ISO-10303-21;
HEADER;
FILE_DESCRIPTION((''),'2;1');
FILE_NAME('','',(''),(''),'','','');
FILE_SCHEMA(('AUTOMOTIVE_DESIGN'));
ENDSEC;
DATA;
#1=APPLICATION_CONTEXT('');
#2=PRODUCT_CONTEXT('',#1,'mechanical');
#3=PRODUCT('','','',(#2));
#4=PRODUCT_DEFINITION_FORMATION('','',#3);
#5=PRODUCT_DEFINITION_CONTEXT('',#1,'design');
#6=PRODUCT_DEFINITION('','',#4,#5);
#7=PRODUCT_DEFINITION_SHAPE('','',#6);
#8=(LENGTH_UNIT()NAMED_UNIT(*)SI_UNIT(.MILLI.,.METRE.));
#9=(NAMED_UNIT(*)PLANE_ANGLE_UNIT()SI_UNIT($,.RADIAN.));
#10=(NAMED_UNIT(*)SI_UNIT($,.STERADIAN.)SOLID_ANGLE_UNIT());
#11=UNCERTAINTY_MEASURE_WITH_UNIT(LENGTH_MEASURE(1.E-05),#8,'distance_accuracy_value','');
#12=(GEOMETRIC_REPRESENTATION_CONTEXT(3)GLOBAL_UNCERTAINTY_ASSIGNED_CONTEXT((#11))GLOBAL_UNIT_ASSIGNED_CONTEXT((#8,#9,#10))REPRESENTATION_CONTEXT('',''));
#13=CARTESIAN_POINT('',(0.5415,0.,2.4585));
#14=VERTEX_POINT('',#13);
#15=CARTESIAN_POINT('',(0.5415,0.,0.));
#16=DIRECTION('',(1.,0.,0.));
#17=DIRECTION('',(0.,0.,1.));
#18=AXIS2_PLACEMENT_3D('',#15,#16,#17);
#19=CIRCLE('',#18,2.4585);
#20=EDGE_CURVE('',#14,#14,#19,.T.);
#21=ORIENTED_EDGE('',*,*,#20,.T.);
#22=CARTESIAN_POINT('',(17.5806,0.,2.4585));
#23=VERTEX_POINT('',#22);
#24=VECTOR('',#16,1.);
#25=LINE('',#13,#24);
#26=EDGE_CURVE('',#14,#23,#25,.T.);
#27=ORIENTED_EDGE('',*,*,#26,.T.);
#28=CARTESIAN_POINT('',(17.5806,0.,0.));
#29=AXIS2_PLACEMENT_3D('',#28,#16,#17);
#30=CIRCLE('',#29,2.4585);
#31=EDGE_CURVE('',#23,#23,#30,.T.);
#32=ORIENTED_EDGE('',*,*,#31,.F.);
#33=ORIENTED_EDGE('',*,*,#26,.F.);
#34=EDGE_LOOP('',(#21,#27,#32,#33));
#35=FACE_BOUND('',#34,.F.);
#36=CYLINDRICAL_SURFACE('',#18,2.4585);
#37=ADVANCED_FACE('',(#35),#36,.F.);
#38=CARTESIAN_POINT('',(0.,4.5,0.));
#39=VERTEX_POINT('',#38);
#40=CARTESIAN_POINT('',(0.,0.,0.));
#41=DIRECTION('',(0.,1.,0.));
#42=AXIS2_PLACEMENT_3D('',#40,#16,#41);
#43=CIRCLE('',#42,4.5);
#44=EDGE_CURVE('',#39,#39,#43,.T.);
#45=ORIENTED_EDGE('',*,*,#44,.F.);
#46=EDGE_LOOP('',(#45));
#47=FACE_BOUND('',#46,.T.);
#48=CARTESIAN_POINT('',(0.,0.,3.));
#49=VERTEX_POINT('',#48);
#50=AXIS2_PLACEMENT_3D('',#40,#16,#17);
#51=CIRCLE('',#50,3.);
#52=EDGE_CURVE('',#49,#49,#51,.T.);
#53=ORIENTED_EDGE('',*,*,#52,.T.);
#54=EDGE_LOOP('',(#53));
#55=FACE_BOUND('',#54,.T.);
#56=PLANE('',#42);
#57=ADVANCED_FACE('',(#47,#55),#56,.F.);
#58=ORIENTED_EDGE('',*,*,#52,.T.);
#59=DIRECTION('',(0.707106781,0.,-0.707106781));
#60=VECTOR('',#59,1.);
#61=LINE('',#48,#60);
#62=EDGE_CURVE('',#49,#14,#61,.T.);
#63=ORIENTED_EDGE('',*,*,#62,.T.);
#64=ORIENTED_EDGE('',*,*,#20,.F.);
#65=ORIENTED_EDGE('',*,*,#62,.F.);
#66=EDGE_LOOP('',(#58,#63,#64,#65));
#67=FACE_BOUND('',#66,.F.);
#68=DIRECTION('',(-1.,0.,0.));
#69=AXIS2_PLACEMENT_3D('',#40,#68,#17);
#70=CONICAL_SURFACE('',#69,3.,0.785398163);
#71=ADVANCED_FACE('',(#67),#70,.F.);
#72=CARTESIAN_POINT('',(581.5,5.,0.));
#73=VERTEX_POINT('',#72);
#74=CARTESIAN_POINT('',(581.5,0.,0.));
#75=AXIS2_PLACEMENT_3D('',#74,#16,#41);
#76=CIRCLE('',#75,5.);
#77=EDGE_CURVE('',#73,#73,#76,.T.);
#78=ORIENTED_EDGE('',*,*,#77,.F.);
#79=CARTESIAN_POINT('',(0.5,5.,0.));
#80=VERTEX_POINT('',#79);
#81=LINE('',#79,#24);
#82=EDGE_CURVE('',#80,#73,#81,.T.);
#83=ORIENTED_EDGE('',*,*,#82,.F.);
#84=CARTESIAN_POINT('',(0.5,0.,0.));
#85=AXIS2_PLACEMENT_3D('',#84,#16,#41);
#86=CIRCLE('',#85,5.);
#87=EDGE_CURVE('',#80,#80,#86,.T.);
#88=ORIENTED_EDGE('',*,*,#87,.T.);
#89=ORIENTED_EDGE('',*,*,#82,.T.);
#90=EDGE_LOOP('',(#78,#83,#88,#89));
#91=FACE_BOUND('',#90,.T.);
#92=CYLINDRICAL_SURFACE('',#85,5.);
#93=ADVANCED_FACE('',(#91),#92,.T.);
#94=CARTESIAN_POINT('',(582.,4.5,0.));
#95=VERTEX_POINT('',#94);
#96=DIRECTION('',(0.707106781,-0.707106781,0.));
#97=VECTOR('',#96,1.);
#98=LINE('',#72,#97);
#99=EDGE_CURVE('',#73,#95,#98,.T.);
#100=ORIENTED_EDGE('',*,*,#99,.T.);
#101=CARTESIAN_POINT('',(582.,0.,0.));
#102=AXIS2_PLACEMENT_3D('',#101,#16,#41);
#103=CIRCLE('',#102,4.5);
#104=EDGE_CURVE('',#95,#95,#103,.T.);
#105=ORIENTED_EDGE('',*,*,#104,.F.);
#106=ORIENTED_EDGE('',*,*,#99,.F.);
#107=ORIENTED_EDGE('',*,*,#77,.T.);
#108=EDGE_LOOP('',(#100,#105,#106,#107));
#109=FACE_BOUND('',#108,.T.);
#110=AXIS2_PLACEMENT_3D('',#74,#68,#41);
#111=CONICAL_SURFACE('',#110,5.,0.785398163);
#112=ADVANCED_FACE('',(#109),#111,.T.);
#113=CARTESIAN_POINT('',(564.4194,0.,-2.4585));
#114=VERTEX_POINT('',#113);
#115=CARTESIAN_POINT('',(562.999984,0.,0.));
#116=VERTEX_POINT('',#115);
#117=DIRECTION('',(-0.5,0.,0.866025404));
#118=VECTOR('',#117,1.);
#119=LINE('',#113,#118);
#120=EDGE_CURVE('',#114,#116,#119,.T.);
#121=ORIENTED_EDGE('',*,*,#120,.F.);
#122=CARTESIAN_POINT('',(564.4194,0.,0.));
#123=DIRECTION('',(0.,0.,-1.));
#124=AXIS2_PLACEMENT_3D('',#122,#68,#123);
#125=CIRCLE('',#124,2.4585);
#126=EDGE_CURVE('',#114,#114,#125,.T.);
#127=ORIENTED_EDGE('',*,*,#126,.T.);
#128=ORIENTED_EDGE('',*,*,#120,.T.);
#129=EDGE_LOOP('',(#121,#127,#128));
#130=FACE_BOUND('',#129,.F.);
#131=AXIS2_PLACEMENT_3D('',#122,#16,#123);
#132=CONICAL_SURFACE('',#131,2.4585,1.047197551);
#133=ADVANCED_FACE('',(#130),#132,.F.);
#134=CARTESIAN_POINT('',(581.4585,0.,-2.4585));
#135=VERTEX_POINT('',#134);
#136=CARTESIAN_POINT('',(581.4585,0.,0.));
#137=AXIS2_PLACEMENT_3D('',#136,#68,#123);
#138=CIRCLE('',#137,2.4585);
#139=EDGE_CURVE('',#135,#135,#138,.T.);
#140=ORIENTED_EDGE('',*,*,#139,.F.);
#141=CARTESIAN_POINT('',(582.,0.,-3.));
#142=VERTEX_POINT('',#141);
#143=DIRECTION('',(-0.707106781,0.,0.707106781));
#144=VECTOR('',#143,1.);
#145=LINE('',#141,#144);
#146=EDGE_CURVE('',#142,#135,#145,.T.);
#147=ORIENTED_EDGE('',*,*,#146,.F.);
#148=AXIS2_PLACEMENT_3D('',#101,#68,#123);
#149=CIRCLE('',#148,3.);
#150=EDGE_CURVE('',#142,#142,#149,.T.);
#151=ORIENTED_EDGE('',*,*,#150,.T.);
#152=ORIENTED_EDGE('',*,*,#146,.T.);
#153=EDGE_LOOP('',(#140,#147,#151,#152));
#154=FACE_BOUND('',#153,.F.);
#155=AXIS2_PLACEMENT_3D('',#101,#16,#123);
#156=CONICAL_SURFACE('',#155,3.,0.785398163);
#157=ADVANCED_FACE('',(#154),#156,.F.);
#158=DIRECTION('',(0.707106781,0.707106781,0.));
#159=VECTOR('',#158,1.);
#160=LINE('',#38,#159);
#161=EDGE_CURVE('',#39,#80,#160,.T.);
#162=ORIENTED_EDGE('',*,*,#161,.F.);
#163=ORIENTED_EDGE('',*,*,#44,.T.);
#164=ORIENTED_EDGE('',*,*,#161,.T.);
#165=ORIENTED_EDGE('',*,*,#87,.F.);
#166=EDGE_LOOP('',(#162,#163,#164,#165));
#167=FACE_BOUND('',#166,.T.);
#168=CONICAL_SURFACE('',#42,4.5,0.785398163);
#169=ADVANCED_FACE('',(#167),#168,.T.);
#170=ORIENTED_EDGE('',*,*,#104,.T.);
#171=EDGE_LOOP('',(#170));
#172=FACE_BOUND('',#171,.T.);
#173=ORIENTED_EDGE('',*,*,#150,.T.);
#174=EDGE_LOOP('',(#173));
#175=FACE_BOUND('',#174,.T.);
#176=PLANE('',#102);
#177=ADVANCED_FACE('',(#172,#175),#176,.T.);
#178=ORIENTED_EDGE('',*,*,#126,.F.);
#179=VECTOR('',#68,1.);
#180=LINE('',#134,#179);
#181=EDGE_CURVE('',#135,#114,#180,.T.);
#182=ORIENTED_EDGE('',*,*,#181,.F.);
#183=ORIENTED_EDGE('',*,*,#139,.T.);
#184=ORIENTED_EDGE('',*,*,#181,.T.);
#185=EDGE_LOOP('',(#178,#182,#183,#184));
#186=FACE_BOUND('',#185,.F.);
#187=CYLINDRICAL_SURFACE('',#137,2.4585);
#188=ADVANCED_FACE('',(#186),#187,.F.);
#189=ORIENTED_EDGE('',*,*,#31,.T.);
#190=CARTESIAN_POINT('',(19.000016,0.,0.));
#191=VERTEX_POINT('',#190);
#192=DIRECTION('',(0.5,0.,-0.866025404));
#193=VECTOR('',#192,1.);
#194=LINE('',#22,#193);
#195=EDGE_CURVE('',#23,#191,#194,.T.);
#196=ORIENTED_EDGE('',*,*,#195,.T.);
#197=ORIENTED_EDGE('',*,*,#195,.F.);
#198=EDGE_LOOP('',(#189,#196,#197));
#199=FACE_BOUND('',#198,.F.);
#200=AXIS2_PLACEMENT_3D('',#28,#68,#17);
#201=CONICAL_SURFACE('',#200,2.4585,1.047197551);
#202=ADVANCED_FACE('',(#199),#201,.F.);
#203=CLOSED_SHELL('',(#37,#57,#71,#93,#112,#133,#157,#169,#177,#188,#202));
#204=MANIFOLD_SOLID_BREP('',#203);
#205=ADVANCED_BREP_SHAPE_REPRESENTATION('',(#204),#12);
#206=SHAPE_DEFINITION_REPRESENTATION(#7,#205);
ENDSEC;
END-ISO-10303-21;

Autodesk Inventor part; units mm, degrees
ref_plane "YZ Plane" through (0, 0, 0) normal (1, 0, 0) x (0, 1, 0)
ref_plane "XZ Plane" through (0, 0, 0) normal (0, 1, 0) x (-1, 0, 0)
ref_plane "XY Plane" through (0, 0, 0) normal (0, 0, 1) x (1, 0, 0)
sketch "Sketch_1" plane through (0, 0, 0) normal (0, 0, 1) x (1, 0, 0)
  line L0 (582, 0) -> (0, 0)
  line L1 (0, 0) -> (0, 4.5)
  line L2 (0, 4.5) -> (0.5, 5)
  line L3 (0.5, 5) -> (581.5, 5)
  line L4 (581.5, 5) -> (582, 4.5)
  line L5 (582, 4.5) -> (582, 0)
  line L6 (582, 0) -> (0, 0)
revolve "Revolution1" add sketch "Sketch_1" angle 360 about axis through (582, 0, 0) along (1, 0, 0)
sketch "Sketch2" plane through (0, 0, 0) normal (-1, 0, 0) x (0, 0, 1)
  point P0 (0, 0)
hole "Hole1" at (0, 0, 0) direction (1, 0, 0) diameter 4.917 depth 17.5806 tip angle 120 countersink diameter 6 countersink angle 90 thread size "M6x1" class "6H" standard "ISO Metric profile"
sketch "Sketch3" plane through (582, 0, 0) normal (1, 0, 0) x (0, 0, -1)
  point P0 (0, 0)
hole "Hole2" at (582, 0, 0) direction (-1, 0, 0) diameter 4.917 depth 17.5806 tip angle 120 countersink diameter 6 countersink angle 90 thread size "M6x1" class "6H" standard "ISO Metric profile"
properties part number "PSSFGW10-582-M6-N6"
